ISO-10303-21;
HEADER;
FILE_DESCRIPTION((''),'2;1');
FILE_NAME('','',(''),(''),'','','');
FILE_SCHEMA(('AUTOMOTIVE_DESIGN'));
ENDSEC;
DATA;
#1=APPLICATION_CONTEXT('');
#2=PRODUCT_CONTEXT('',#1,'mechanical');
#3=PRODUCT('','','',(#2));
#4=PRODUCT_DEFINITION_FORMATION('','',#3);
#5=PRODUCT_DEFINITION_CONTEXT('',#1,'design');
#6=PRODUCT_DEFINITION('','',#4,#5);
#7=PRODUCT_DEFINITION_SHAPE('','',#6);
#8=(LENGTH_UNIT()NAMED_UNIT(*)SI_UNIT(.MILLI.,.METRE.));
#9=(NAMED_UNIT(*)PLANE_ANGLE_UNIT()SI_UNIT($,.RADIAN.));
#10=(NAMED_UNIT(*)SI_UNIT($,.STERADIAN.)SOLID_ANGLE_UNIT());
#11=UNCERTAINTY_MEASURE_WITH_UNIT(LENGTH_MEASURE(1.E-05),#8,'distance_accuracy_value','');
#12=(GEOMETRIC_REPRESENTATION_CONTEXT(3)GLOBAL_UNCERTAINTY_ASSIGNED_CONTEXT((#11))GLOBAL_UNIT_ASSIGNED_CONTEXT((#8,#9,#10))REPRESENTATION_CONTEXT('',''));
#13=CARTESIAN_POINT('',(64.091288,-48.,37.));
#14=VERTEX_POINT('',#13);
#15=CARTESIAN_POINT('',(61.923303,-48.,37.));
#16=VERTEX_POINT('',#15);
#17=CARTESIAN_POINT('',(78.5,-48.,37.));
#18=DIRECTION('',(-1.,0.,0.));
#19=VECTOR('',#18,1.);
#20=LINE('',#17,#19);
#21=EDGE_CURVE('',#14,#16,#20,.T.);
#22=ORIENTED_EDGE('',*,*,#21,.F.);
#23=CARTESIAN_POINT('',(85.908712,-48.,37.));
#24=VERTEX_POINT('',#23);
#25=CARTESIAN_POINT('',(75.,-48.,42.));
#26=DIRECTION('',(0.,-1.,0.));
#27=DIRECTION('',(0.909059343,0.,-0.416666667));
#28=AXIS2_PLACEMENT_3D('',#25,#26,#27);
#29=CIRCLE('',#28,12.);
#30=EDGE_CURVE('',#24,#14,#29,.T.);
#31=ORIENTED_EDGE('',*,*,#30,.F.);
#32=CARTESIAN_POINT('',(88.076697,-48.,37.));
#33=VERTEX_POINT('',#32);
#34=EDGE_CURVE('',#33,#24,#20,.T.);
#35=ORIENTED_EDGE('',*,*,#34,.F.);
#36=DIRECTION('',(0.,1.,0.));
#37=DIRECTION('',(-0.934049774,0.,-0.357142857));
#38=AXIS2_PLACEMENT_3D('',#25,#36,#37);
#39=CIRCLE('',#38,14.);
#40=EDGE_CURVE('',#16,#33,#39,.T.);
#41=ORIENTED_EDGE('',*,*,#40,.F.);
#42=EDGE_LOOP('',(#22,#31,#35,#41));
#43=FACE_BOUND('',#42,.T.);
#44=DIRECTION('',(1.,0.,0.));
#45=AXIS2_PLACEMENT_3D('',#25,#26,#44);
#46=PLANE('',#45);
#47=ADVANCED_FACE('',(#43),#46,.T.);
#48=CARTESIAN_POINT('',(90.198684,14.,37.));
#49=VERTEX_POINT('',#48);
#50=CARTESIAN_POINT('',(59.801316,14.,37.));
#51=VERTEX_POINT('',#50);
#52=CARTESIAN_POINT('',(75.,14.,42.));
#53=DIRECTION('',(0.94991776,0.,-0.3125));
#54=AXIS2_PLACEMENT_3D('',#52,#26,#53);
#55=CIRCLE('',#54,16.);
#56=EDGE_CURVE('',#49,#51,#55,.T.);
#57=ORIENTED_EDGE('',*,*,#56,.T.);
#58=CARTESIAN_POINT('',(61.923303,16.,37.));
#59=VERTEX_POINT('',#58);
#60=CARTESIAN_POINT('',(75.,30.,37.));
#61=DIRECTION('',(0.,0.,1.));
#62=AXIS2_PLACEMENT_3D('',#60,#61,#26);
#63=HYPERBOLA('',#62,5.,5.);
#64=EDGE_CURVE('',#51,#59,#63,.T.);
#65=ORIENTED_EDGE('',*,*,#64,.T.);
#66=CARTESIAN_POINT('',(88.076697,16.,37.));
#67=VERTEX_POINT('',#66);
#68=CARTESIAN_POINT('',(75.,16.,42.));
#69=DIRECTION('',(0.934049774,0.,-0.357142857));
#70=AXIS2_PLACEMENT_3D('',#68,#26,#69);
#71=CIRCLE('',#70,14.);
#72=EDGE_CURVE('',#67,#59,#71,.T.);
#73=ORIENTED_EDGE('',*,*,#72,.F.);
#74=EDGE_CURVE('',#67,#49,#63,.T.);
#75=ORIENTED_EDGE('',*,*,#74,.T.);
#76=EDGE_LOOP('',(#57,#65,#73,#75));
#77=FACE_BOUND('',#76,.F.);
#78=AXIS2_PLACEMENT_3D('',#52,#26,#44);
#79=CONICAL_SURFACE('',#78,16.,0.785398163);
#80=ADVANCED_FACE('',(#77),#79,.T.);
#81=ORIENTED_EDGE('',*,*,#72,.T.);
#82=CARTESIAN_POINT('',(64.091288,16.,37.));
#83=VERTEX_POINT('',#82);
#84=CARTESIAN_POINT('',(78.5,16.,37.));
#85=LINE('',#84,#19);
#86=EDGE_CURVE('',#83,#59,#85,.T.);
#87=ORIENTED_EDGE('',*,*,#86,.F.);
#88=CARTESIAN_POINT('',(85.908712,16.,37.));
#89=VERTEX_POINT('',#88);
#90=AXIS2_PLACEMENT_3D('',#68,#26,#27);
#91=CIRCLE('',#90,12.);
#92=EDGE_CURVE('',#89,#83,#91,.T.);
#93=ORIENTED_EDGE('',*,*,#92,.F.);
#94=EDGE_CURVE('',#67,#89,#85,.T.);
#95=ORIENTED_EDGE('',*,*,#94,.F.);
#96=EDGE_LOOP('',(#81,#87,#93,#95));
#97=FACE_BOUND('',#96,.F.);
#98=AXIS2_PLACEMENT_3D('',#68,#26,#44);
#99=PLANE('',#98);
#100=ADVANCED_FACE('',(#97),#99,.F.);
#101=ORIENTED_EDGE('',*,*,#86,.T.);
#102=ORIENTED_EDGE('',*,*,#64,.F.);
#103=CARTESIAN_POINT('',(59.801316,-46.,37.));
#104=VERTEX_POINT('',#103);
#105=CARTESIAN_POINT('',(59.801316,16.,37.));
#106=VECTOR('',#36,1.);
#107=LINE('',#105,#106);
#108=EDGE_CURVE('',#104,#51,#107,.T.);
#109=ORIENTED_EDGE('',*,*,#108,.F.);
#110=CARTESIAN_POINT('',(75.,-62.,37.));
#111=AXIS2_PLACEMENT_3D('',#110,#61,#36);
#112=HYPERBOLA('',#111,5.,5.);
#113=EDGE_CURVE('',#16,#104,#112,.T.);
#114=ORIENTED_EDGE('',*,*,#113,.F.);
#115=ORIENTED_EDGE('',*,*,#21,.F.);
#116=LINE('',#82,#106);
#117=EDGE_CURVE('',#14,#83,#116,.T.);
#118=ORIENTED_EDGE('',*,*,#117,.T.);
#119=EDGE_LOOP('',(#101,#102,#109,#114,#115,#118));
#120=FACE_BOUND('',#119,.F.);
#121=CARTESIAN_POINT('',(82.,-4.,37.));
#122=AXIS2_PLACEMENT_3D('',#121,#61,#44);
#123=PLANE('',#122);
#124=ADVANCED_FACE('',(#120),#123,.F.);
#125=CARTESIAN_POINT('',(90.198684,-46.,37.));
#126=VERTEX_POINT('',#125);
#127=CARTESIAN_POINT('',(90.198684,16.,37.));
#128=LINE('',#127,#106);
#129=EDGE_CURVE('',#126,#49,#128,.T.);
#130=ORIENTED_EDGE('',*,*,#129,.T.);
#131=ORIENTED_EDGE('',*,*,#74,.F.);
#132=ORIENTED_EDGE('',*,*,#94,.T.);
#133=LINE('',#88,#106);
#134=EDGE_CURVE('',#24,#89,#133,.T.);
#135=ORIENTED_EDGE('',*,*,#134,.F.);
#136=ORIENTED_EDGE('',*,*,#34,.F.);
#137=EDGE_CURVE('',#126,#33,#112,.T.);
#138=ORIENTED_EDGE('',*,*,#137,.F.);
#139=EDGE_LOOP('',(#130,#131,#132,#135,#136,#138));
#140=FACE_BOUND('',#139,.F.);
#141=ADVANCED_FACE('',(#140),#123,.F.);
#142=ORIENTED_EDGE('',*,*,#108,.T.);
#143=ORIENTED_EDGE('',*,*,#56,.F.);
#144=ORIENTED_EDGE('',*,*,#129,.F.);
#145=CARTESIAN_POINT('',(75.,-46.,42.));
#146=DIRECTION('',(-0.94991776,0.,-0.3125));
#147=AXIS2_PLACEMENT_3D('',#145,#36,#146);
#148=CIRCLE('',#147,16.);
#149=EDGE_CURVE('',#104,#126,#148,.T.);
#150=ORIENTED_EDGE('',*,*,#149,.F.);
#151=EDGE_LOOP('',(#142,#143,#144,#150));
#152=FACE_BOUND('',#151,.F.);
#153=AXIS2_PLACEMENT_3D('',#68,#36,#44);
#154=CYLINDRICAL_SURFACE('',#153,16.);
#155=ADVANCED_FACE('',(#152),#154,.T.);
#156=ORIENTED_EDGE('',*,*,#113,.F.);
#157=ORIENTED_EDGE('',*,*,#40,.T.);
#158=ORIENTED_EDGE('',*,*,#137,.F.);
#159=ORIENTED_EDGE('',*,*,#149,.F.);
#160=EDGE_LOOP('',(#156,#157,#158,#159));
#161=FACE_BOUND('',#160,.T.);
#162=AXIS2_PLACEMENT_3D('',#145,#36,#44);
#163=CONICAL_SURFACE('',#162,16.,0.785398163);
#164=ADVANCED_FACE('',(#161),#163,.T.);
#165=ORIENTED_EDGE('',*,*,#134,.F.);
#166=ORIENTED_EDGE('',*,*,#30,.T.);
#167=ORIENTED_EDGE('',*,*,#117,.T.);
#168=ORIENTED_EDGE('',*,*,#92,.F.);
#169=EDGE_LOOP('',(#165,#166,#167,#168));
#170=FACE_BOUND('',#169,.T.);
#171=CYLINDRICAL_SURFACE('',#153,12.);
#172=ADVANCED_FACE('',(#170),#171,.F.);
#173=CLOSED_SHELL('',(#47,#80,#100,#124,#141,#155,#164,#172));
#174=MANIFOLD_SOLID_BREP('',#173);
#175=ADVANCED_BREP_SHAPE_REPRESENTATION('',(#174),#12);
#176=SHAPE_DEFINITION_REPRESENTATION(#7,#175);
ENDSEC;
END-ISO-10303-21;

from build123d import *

# Parameters (mm, degrees)
BOX_W           = 100
BOX_H           = 100
BOX_DEPTH       = 100
TUBE001_R       = 16
TUBE001_R_2     = 12
TUBE001_DEPTH   = 64
CHAMFER003_SIZE = 2


with BuildPart() as krychle:
    # Box → Box (new body)
    with BuildSketch(Plane(origin=(32, -54, -63), x_dir=(1, 0, 0), z_dir=(0, 0, 1))):
        with Locations((50, 50)):
            Rectangle(BOX_W, BOX_H)
    extrude(amount=BOX_DEPTH)


with BuildPart() as cut381:
    # Tube001 → Tube001 (new body)
    with BuildSketch(Plane(origin=(75, 16, 42), x_dir=(1, 0, 0), z_dir=(0, -1, 0))):
        Circle(TUBE001_R)
        Circle(TUBE001_R_2, mode=Mode.SUBTRACT)
    extrude(amount=TUBE001_DEPTH)

    # Chamfer003
    chamfer003_edges = [cut381.edges().sort_by_distance(p)[0] for p in [
        (59, -48, 42),
        (59, 16, 42),
    ]]
    chamfer(chamfer003_edges, length=CHAMFER003_SIZE)

    # Cut381: cut Krychle
    add(krychle.part, mode=Mode.SUBTRACT)


solid = cut381.part
